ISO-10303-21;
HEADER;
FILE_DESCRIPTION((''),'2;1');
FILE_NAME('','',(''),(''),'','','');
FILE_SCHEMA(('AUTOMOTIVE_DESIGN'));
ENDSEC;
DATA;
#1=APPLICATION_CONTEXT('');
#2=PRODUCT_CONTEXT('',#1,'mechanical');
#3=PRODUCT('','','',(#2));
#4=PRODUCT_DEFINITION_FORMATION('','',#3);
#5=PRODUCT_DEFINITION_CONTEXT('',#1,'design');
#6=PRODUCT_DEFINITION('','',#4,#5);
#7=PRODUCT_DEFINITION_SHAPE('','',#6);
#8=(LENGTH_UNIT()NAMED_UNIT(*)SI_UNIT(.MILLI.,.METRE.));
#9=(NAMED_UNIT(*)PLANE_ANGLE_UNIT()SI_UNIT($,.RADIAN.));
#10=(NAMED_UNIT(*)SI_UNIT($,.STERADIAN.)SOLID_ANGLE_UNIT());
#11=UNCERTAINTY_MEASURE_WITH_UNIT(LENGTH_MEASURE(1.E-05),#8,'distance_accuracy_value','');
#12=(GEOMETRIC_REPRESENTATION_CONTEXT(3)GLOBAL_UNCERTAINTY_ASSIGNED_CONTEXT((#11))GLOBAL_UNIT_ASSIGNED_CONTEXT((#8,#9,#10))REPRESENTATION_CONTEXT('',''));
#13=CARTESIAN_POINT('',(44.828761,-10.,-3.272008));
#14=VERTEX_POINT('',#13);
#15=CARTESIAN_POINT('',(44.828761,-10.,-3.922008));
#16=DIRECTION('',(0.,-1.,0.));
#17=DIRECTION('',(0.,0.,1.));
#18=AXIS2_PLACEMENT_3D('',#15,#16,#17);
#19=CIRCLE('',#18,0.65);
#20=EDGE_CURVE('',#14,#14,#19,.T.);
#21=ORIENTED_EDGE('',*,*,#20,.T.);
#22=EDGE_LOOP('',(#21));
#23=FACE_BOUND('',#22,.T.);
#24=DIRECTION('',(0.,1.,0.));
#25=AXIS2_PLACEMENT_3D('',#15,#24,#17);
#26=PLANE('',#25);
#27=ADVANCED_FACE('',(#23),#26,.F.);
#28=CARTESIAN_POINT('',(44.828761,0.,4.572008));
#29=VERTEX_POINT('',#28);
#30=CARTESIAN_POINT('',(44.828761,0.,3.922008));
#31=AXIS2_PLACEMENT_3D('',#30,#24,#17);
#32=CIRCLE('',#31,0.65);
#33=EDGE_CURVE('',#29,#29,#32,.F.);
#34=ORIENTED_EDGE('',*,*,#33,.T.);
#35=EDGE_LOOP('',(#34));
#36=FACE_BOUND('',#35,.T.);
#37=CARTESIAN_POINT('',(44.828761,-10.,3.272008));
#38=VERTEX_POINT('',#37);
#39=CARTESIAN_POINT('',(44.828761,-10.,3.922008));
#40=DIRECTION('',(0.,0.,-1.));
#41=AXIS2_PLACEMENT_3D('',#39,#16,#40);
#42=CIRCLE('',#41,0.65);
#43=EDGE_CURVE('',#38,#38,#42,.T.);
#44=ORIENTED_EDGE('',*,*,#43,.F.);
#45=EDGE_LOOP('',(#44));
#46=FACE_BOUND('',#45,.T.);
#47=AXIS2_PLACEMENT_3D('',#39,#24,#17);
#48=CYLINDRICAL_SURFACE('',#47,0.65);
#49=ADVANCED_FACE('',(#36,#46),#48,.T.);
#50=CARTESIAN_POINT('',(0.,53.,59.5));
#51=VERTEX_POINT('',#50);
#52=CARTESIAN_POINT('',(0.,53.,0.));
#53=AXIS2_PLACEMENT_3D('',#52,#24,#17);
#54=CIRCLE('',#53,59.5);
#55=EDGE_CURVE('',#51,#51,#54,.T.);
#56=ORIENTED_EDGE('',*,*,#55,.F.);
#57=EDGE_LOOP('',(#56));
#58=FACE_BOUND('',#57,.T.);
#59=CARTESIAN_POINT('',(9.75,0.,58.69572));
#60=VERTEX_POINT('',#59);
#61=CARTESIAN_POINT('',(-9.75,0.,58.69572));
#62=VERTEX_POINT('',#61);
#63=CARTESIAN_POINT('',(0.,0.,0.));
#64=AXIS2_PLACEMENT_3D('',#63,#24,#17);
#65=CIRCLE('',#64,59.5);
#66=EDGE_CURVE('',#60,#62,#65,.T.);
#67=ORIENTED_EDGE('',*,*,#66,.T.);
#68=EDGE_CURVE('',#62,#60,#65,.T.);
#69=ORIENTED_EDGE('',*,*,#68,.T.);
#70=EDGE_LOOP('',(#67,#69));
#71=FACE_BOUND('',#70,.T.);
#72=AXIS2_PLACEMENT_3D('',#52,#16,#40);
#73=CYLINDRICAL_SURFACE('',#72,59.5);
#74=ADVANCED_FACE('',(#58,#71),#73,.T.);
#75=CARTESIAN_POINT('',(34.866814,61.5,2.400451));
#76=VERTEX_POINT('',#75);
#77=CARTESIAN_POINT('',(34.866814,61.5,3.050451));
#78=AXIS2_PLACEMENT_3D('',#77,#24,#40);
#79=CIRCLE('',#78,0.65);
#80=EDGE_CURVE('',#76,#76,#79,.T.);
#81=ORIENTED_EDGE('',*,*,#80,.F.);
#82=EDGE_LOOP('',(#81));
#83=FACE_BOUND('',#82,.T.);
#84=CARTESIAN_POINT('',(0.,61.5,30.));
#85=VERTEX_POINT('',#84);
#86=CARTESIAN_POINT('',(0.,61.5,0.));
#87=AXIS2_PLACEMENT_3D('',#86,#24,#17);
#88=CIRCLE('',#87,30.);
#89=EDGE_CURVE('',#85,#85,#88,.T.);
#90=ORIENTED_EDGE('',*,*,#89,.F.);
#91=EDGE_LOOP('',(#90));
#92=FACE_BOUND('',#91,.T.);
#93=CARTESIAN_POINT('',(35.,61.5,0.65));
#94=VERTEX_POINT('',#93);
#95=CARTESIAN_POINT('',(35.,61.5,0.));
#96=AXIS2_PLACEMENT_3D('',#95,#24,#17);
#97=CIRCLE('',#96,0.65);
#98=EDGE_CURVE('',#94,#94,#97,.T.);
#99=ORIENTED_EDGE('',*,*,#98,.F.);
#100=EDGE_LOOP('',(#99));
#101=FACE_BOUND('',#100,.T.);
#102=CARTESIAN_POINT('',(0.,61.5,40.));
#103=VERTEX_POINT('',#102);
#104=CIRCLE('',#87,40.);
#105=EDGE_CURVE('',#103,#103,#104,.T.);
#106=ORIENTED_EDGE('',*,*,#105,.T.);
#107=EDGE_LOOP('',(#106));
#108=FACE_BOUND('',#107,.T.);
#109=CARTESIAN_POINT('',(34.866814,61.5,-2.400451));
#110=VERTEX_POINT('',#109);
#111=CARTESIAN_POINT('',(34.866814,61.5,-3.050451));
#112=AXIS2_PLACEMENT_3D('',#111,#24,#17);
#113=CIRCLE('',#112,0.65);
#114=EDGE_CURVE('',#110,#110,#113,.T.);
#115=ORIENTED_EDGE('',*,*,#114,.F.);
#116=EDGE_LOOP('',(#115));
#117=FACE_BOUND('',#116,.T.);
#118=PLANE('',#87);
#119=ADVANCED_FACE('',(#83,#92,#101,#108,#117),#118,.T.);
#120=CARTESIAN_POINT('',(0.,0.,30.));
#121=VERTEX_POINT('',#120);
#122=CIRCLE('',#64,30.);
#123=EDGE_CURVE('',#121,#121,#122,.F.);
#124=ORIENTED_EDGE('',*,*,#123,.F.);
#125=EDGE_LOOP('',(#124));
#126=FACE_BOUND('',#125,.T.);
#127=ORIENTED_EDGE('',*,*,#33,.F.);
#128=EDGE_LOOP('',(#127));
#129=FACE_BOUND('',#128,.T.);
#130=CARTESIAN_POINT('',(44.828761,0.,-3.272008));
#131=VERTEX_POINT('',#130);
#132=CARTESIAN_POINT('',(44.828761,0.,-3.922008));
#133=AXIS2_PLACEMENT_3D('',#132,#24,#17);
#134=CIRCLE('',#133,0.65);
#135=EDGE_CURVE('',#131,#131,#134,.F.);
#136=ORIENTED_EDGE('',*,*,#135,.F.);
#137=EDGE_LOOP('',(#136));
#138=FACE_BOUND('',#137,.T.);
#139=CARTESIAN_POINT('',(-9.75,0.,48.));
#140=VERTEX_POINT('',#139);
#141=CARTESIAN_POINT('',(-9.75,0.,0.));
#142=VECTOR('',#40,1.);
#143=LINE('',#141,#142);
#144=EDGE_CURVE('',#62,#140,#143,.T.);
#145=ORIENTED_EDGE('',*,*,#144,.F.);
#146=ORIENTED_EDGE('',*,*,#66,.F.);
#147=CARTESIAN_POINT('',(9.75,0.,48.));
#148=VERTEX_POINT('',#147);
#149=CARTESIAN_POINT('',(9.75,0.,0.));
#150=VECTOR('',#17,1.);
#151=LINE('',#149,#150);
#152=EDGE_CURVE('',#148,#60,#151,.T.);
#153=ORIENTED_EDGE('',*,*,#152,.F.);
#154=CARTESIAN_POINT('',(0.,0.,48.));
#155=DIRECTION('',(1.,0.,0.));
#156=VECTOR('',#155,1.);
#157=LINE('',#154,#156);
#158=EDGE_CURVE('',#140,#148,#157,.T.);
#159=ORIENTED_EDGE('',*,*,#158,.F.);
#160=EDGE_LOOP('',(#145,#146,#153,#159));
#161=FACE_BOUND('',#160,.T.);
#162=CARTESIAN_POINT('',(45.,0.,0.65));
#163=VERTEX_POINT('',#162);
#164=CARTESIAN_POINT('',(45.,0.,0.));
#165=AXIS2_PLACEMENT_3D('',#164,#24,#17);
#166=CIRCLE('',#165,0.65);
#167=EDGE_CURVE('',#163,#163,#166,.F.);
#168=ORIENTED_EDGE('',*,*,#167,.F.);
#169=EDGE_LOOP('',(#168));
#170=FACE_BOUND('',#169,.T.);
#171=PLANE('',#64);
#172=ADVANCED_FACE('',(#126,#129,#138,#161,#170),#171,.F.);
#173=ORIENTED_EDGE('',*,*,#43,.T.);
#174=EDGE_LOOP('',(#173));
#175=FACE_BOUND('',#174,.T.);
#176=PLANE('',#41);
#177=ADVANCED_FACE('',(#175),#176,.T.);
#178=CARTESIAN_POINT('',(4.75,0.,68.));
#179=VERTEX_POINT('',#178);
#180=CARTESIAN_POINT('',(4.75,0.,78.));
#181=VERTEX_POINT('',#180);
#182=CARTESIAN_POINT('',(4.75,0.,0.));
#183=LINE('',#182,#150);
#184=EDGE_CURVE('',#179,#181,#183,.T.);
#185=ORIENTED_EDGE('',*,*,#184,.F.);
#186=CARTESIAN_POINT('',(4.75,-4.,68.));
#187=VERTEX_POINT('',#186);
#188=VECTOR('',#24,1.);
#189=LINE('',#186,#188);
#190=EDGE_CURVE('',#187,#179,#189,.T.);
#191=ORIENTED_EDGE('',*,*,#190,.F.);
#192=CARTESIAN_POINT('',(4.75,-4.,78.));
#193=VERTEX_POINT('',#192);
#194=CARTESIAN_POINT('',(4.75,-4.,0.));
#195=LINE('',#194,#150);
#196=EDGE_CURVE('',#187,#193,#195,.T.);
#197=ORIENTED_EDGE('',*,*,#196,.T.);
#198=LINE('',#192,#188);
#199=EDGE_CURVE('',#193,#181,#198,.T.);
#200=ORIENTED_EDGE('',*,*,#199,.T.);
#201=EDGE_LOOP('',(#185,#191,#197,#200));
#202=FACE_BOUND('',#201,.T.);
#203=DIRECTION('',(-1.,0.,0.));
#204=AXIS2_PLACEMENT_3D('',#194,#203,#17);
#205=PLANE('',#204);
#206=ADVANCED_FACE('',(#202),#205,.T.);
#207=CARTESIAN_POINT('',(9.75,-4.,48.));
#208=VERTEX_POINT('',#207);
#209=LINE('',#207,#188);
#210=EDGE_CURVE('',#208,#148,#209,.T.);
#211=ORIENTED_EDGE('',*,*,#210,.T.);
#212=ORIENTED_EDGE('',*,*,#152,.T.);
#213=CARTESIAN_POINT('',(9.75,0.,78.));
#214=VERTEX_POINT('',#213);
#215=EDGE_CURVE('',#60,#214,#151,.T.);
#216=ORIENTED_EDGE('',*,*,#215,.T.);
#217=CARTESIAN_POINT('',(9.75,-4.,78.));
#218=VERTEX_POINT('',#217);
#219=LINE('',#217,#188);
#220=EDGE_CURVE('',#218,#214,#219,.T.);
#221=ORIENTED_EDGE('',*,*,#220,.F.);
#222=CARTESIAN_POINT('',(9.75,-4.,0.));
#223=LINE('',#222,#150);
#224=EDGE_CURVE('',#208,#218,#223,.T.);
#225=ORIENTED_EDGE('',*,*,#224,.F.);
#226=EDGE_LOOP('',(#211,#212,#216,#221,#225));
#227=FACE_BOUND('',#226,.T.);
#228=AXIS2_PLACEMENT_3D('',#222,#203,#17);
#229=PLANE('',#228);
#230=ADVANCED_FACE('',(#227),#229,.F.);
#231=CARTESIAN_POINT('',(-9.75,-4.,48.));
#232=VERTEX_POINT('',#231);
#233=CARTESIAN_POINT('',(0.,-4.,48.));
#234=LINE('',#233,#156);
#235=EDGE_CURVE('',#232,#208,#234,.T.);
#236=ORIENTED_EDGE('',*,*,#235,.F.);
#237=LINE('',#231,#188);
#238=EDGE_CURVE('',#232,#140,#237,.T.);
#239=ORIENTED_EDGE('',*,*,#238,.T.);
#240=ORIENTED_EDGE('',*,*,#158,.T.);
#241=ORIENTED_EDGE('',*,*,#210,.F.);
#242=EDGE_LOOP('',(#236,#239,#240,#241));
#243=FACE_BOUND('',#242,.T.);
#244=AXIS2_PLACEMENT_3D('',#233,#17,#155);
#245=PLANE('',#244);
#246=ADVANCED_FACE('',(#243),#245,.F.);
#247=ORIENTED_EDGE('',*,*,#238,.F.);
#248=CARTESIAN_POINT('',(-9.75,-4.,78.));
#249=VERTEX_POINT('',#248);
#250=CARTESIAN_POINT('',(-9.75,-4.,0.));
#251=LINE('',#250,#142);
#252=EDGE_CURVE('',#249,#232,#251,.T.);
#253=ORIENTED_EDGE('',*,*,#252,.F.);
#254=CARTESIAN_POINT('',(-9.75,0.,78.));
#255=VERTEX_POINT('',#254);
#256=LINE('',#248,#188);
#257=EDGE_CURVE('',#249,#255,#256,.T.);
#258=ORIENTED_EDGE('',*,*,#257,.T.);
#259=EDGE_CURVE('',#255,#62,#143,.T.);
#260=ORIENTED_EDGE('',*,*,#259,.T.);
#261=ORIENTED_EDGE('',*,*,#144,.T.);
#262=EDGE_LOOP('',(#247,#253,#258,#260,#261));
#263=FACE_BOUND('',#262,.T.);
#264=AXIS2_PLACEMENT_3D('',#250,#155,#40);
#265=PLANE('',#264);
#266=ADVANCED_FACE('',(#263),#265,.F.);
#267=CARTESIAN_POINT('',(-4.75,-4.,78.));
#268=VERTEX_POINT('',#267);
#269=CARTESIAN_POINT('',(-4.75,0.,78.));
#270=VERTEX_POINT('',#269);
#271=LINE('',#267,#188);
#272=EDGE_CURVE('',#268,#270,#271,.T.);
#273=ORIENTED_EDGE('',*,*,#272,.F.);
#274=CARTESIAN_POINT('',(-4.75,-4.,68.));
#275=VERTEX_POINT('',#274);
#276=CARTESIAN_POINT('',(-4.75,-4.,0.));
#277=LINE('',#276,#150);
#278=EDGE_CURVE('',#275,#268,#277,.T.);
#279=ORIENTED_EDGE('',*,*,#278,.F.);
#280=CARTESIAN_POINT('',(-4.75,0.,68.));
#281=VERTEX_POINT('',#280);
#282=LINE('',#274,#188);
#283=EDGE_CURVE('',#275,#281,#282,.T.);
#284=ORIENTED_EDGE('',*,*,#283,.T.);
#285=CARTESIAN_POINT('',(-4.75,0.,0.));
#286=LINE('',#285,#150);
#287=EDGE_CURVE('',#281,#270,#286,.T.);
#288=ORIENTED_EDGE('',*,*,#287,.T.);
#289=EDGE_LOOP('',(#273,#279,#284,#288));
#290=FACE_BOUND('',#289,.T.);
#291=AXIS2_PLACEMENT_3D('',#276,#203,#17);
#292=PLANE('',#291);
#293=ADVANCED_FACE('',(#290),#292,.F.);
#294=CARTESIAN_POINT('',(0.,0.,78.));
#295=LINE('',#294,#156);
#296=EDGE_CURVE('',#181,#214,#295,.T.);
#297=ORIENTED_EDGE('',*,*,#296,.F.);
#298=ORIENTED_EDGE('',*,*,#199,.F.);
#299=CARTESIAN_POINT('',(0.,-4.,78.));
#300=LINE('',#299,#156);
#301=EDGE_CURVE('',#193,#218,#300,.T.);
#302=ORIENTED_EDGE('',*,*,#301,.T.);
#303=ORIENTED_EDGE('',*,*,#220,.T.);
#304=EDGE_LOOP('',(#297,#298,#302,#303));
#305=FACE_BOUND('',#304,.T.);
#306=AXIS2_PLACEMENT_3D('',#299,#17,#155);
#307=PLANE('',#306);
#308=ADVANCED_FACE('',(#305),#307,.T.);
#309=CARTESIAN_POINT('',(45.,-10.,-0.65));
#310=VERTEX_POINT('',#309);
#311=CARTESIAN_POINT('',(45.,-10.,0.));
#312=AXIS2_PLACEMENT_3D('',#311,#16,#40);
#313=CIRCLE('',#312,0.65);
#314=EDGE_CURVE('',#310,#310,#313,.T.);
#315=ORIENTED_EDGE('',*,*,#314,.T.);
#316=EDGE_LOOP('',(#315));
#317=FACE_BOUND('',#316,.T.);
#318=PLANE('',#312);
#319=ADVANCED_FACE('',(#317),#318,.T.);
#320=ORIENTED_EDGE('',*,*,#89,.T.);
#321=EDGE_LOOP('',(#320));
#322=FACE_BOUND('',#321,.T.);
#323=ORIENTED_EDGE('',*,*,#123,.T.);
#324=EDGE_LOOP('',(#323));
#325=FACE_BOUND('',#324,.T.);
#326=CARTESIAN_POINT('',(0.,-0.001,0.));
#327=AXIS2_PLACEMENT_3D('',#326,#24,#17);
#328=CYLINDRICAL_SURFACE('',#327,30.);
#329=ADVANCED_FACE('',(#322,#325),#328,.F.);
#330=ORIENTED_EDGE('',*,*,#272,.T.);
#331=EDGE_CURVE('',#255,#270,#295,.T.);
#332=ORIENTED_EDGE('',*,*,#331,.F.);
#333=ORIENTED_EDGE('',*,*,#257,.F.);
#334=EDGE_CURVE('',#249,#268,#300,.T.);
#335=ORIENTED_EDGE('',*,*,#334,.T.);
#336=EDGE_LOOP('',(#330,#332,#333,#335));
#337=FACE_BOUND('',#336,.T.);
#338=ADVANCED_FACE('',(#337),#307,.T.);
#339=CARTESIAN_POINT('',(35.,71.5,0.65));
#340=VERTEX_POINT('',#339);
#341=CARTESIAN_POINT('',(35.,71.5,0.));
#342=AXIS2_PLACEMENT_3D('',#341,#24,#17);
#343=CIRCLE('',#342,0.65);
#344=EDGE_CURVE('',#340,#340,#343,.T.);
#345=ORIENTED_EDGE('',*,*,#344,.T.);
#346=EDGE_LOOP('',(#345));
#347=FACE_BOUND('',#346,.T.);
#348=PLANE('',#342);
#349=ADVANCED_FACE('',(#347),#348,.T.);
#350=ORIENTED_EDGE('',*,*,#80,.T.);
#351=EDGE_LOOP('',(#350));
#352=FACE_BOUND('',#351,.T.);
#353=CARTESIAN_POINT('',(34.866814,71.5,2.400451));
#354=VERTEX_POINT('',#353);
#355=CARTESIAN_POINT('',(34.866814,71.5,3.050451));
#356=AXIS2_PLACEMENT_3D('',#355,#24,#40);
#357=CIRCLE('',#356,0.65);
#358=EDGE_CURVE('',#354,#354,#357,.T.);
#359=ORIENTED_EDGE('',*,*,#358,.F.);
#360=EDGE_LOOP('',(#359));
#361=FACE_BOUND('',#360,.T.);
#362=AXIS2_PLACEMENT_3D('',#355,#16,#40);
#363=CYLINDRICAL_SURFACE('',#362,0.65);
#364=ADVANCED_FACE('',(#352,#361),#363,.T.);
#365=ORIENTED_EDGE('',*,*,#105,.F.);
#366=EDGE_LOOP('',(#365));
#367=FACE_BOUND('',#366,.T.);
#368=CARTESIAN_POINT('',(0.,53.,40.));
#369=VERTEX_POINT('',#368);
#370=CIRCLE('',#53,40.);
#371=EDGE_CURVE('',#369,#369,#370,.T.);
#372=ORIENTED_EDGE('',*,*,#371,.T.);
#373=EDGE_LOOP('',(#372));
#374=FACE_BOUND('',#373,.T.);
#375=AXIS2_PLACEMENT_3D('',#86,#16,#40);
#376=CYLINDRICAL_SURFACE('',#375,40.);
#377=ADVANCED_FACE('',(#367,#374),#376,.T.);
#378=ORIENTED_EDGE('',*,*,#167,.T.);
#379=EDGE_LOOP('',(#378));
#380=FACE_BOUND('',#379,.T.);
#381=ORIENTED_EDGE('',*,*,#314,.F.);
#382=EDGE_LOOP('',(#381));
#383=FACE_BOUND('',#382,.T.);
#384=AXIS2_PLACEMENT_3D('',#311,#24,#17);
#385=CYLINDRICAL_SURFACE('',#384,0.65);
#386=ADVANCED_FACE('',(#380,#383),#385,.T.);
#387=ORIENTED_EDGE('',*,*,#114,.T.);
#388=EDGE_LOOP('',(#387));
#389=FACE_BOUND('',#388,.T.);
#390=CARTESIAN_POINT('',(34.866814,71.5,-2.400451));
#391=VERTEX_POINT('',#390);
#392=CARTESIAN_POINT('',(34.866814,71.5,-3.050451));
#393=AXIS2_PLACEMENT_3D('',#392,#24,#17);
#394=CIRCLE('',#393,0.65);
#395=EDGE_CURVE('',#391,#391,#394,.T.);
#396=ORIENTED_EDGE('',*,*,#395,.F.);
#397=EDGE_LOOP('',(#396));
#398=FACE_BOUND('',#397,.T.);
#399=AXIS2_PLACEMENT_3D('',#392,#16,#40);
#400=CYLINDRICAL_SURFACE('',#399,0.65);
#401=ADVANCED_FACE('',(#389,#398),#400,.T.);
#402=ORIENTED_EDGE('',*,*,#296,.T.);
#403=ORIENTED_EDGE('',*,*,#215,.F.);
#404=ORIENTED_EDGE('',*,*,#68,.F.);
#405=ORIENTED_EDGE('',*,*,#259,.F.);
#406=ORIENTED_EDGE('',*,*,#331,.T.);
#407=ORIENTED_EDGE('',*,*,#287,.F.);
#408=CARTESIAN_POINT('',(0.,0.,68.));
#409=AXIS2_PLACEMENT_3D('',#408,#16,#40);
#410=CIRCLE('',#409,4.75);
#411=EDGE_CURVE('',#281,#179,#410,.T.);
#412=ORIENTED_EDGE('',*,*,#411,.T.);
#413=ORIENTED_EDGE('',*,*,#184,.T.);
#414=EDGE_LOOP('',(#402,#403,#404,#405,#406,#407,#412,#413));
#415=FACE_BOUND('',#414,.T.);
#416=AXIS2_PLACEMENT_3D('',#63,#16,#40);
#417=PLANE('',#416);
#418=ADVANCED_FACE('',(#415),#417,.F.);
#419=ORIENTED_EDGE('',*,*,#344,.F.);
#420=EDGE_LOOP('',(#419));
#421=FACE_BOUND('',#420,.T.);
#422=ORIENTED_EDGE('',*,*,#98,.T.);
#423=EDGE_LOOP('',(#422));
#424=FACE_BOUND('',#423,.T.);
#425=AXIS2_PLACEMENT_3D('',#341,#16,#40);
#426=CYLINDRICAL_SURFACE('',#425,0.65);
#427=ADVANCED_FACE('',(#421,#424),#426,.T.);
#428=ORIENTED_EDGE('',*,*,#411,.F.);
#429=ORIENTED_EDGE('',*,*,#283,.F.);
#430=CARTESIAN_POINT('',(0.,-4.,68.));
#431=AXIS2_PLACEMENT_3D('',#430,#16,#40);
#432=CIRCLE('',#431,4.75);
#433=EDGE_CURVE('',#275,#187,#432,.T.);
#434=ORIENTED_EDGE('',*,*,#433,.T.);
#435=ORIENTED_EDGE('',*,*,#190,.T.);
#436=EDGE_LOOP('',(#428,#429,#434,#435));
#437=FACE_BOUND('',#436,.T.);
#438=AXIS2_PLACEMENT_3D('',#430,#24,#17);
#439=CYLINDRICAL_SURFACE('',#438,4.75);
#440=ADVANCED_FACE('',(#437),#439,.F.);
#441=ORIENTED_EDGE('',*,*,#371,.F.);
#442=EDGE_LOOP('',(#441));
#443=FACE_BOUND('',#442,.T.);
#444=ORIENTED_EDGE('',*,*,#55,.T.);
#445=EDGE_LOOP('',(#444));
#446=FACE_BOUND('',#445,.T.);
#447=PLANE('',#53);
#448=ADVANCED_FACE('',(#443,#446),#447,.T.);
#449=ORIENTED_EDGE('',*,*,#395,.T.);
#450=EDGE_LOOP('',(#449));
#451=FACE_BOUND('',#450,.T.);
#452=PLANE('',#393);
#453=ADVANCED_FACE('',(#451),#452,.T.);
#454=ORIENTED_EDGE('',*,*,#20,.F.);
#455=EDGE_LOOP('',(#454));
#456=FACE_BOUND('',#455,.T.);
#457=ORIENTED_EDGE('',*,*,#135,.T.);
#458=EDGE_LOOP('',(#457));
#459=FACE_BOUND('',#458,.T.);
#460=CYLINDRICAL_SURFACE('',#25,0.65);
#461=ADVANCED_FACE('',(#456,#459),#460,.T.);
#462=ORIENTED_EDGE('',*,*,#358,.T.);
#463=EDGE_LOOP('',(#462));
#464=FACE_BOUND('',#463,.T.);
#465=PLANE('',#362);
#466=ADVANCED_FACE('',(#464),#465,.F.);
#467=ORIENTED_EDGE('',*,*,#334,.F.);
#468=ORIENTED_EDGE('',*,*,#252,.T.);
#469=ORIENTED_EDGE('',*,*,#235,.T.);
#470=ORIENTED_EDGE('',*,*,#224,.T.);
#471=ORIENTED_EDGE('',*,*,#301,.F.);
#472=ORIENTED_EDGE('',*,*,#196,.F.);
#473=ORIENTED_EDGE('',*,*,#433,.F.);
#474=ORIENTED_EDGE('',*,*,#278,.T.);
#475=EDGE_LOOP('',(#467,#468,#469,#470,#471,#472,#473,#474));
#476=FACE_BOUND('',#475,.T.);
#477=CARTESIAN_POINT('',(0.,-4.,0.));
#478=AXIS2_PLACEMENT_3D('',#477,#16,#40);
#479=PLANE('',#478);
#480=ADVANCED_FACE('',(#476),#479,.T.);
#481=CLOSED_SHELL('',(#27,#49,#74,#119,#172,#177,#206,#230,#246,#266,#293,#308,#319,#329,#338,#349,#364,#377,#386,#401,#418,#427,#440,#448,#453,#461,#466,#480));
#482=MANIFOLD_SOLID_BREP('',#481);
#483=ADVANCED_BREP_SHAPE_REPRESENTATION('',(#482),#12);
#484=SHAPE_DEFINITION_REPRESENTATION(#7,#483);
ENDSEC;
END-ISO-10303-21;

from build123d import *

# Parameters (mm, degrees)
CROQUIS1_R              = 59.5
SALIENTE_EXTRUIR1_DEPTH = 53
CROQUIS2_R              = 40
SALIENTE_EXTRUIR2_DEPTH = 8.5
CORTAR_EXTRUIR1_REACH   = 106.225
CROQUIS4_R              = 30
CROQUIS5_R              = 0.65
SALIENTE_EXTRUIR3_DEPTH = 10
CROQUIS6_R              = 0.65
SALIENTE_EXTRUIR4_DEPTH = 10
SALIENTE_EXTRUIR5_DEPTH = 4


with BuildPart() as part:
    # Croquis1 → Saliente-Extruir1 (new body)
    with BuildSketch(Plane(origin=(0, 0, 0), x_dir=(1, 0, 0), z_dir=(0, 1, 0))):
        with Locations(Location((0, 0, 0), (0, 0, 270))):
            Circle(CROQUIS1_R)
    extrude(amount=SALIENTE_EXTRUIR1_DEPTH)

    # Croquis2 → Saliente-Extruir2 (add)
    with BuildSketch(Plane(origin=(0, 53, 0), x_dir=(1, 0, 0), z_dir=(0, 1, 0))):
        with Locations(Location((0, 0, 0), (0, 0, 270))):
            Circle(CROQUIS2_R)
    extrude(amount=SALIENTE_EXTRUIR2_DEPTH)

    # Croquis4 → Cortar-Extruir1 (cut, up to next)
    with BuildSketch(Plane(origin=(0, 61.5, 0), x_dir=(1, 0, 0), z_dir=(0, 1, 0)), mode=Mode.PRIVATE) as cortar_extruir1_sk1:
        with Locations(Location((0, 0, 0), (0, 0, 270))):
            Circle(CROQUIS4_R)
    cortar_extruir1_tool1 = extrude(cortar_extruir1_sk1.sketch, amount=-CORTAR_EXTRUIR1_REACH, mode=Mode.PRIVATE) & part.part
    add(cortar_extruir1_tool1.solids().sort_by_distance((0, 61.5, 0))[0], mode=Mode.SUBTRACT)

    # Croquis5 → Saliente-Extruir3 (add)
    with BuildSketch(Plane(origin=(0, 61.5, 0), x_dir=(1, 0, 0), z_dir=(0, 1, 0))):
        with Locations(Location((35, 0, 0), (0, 0, 270))):
            Circle(CROQUIS5_R)
        with Locations(Location((34.866814433, 3.050450996, 0), (0, 0, 270))):
            Circle(CROQUIS5_R)
        with Locations(Location((34.866814433, -3.050450996, 0), (0, 0, 90))):
            Circle(CROQUIS5_R)
    extrude(amount=SALIENTE_EXTRUIR3_DEPTH)

    # Croquis6 → Saliente-Extruir4 (add)
    with BuildSketch(Plane.XZ):
        with Locations(Location((45, 0, 0), (0, 0, 90))):
            Circle(CROQUIS6_R)
        with Locations(Location((44.828761414, 3.922008424, 0), (0, 0, 90))):
            Circle(CROQUIS6_R)
        with Locations(Location((44.828761414, -3.922008424, 0), (0, 0, 90))):
            Circle(CROQUIS6_R)
    extrude(amount=SALIENTE_EXTRUIR4_DEPTH)

    # Croquis10 → Saliente-Extruir5 (add)
    with BuildSketch(Plane.XZ):
        with BuildLine():
            ThreePointArc((4.75, 68), (0, 63.25), (-4.75, 68))
            Line((-4.75, 68), (-4.75, 78))
            Line((-4.75, 78), (-9.75, 78))
            Line((-9.75, 78), (-9.75, 48))
            Line((-9.75, 48), (9.75, 48))
            Line((9.75, 48), (9.75, 78))
            Line((9.75, 78), (4.75, 78))
            Line((4.75, 78), (4.75, 68))
        make_face()
    extrude(amount=SALIENTE_EXTRUIR5_DEPTH)


solid = part.part
